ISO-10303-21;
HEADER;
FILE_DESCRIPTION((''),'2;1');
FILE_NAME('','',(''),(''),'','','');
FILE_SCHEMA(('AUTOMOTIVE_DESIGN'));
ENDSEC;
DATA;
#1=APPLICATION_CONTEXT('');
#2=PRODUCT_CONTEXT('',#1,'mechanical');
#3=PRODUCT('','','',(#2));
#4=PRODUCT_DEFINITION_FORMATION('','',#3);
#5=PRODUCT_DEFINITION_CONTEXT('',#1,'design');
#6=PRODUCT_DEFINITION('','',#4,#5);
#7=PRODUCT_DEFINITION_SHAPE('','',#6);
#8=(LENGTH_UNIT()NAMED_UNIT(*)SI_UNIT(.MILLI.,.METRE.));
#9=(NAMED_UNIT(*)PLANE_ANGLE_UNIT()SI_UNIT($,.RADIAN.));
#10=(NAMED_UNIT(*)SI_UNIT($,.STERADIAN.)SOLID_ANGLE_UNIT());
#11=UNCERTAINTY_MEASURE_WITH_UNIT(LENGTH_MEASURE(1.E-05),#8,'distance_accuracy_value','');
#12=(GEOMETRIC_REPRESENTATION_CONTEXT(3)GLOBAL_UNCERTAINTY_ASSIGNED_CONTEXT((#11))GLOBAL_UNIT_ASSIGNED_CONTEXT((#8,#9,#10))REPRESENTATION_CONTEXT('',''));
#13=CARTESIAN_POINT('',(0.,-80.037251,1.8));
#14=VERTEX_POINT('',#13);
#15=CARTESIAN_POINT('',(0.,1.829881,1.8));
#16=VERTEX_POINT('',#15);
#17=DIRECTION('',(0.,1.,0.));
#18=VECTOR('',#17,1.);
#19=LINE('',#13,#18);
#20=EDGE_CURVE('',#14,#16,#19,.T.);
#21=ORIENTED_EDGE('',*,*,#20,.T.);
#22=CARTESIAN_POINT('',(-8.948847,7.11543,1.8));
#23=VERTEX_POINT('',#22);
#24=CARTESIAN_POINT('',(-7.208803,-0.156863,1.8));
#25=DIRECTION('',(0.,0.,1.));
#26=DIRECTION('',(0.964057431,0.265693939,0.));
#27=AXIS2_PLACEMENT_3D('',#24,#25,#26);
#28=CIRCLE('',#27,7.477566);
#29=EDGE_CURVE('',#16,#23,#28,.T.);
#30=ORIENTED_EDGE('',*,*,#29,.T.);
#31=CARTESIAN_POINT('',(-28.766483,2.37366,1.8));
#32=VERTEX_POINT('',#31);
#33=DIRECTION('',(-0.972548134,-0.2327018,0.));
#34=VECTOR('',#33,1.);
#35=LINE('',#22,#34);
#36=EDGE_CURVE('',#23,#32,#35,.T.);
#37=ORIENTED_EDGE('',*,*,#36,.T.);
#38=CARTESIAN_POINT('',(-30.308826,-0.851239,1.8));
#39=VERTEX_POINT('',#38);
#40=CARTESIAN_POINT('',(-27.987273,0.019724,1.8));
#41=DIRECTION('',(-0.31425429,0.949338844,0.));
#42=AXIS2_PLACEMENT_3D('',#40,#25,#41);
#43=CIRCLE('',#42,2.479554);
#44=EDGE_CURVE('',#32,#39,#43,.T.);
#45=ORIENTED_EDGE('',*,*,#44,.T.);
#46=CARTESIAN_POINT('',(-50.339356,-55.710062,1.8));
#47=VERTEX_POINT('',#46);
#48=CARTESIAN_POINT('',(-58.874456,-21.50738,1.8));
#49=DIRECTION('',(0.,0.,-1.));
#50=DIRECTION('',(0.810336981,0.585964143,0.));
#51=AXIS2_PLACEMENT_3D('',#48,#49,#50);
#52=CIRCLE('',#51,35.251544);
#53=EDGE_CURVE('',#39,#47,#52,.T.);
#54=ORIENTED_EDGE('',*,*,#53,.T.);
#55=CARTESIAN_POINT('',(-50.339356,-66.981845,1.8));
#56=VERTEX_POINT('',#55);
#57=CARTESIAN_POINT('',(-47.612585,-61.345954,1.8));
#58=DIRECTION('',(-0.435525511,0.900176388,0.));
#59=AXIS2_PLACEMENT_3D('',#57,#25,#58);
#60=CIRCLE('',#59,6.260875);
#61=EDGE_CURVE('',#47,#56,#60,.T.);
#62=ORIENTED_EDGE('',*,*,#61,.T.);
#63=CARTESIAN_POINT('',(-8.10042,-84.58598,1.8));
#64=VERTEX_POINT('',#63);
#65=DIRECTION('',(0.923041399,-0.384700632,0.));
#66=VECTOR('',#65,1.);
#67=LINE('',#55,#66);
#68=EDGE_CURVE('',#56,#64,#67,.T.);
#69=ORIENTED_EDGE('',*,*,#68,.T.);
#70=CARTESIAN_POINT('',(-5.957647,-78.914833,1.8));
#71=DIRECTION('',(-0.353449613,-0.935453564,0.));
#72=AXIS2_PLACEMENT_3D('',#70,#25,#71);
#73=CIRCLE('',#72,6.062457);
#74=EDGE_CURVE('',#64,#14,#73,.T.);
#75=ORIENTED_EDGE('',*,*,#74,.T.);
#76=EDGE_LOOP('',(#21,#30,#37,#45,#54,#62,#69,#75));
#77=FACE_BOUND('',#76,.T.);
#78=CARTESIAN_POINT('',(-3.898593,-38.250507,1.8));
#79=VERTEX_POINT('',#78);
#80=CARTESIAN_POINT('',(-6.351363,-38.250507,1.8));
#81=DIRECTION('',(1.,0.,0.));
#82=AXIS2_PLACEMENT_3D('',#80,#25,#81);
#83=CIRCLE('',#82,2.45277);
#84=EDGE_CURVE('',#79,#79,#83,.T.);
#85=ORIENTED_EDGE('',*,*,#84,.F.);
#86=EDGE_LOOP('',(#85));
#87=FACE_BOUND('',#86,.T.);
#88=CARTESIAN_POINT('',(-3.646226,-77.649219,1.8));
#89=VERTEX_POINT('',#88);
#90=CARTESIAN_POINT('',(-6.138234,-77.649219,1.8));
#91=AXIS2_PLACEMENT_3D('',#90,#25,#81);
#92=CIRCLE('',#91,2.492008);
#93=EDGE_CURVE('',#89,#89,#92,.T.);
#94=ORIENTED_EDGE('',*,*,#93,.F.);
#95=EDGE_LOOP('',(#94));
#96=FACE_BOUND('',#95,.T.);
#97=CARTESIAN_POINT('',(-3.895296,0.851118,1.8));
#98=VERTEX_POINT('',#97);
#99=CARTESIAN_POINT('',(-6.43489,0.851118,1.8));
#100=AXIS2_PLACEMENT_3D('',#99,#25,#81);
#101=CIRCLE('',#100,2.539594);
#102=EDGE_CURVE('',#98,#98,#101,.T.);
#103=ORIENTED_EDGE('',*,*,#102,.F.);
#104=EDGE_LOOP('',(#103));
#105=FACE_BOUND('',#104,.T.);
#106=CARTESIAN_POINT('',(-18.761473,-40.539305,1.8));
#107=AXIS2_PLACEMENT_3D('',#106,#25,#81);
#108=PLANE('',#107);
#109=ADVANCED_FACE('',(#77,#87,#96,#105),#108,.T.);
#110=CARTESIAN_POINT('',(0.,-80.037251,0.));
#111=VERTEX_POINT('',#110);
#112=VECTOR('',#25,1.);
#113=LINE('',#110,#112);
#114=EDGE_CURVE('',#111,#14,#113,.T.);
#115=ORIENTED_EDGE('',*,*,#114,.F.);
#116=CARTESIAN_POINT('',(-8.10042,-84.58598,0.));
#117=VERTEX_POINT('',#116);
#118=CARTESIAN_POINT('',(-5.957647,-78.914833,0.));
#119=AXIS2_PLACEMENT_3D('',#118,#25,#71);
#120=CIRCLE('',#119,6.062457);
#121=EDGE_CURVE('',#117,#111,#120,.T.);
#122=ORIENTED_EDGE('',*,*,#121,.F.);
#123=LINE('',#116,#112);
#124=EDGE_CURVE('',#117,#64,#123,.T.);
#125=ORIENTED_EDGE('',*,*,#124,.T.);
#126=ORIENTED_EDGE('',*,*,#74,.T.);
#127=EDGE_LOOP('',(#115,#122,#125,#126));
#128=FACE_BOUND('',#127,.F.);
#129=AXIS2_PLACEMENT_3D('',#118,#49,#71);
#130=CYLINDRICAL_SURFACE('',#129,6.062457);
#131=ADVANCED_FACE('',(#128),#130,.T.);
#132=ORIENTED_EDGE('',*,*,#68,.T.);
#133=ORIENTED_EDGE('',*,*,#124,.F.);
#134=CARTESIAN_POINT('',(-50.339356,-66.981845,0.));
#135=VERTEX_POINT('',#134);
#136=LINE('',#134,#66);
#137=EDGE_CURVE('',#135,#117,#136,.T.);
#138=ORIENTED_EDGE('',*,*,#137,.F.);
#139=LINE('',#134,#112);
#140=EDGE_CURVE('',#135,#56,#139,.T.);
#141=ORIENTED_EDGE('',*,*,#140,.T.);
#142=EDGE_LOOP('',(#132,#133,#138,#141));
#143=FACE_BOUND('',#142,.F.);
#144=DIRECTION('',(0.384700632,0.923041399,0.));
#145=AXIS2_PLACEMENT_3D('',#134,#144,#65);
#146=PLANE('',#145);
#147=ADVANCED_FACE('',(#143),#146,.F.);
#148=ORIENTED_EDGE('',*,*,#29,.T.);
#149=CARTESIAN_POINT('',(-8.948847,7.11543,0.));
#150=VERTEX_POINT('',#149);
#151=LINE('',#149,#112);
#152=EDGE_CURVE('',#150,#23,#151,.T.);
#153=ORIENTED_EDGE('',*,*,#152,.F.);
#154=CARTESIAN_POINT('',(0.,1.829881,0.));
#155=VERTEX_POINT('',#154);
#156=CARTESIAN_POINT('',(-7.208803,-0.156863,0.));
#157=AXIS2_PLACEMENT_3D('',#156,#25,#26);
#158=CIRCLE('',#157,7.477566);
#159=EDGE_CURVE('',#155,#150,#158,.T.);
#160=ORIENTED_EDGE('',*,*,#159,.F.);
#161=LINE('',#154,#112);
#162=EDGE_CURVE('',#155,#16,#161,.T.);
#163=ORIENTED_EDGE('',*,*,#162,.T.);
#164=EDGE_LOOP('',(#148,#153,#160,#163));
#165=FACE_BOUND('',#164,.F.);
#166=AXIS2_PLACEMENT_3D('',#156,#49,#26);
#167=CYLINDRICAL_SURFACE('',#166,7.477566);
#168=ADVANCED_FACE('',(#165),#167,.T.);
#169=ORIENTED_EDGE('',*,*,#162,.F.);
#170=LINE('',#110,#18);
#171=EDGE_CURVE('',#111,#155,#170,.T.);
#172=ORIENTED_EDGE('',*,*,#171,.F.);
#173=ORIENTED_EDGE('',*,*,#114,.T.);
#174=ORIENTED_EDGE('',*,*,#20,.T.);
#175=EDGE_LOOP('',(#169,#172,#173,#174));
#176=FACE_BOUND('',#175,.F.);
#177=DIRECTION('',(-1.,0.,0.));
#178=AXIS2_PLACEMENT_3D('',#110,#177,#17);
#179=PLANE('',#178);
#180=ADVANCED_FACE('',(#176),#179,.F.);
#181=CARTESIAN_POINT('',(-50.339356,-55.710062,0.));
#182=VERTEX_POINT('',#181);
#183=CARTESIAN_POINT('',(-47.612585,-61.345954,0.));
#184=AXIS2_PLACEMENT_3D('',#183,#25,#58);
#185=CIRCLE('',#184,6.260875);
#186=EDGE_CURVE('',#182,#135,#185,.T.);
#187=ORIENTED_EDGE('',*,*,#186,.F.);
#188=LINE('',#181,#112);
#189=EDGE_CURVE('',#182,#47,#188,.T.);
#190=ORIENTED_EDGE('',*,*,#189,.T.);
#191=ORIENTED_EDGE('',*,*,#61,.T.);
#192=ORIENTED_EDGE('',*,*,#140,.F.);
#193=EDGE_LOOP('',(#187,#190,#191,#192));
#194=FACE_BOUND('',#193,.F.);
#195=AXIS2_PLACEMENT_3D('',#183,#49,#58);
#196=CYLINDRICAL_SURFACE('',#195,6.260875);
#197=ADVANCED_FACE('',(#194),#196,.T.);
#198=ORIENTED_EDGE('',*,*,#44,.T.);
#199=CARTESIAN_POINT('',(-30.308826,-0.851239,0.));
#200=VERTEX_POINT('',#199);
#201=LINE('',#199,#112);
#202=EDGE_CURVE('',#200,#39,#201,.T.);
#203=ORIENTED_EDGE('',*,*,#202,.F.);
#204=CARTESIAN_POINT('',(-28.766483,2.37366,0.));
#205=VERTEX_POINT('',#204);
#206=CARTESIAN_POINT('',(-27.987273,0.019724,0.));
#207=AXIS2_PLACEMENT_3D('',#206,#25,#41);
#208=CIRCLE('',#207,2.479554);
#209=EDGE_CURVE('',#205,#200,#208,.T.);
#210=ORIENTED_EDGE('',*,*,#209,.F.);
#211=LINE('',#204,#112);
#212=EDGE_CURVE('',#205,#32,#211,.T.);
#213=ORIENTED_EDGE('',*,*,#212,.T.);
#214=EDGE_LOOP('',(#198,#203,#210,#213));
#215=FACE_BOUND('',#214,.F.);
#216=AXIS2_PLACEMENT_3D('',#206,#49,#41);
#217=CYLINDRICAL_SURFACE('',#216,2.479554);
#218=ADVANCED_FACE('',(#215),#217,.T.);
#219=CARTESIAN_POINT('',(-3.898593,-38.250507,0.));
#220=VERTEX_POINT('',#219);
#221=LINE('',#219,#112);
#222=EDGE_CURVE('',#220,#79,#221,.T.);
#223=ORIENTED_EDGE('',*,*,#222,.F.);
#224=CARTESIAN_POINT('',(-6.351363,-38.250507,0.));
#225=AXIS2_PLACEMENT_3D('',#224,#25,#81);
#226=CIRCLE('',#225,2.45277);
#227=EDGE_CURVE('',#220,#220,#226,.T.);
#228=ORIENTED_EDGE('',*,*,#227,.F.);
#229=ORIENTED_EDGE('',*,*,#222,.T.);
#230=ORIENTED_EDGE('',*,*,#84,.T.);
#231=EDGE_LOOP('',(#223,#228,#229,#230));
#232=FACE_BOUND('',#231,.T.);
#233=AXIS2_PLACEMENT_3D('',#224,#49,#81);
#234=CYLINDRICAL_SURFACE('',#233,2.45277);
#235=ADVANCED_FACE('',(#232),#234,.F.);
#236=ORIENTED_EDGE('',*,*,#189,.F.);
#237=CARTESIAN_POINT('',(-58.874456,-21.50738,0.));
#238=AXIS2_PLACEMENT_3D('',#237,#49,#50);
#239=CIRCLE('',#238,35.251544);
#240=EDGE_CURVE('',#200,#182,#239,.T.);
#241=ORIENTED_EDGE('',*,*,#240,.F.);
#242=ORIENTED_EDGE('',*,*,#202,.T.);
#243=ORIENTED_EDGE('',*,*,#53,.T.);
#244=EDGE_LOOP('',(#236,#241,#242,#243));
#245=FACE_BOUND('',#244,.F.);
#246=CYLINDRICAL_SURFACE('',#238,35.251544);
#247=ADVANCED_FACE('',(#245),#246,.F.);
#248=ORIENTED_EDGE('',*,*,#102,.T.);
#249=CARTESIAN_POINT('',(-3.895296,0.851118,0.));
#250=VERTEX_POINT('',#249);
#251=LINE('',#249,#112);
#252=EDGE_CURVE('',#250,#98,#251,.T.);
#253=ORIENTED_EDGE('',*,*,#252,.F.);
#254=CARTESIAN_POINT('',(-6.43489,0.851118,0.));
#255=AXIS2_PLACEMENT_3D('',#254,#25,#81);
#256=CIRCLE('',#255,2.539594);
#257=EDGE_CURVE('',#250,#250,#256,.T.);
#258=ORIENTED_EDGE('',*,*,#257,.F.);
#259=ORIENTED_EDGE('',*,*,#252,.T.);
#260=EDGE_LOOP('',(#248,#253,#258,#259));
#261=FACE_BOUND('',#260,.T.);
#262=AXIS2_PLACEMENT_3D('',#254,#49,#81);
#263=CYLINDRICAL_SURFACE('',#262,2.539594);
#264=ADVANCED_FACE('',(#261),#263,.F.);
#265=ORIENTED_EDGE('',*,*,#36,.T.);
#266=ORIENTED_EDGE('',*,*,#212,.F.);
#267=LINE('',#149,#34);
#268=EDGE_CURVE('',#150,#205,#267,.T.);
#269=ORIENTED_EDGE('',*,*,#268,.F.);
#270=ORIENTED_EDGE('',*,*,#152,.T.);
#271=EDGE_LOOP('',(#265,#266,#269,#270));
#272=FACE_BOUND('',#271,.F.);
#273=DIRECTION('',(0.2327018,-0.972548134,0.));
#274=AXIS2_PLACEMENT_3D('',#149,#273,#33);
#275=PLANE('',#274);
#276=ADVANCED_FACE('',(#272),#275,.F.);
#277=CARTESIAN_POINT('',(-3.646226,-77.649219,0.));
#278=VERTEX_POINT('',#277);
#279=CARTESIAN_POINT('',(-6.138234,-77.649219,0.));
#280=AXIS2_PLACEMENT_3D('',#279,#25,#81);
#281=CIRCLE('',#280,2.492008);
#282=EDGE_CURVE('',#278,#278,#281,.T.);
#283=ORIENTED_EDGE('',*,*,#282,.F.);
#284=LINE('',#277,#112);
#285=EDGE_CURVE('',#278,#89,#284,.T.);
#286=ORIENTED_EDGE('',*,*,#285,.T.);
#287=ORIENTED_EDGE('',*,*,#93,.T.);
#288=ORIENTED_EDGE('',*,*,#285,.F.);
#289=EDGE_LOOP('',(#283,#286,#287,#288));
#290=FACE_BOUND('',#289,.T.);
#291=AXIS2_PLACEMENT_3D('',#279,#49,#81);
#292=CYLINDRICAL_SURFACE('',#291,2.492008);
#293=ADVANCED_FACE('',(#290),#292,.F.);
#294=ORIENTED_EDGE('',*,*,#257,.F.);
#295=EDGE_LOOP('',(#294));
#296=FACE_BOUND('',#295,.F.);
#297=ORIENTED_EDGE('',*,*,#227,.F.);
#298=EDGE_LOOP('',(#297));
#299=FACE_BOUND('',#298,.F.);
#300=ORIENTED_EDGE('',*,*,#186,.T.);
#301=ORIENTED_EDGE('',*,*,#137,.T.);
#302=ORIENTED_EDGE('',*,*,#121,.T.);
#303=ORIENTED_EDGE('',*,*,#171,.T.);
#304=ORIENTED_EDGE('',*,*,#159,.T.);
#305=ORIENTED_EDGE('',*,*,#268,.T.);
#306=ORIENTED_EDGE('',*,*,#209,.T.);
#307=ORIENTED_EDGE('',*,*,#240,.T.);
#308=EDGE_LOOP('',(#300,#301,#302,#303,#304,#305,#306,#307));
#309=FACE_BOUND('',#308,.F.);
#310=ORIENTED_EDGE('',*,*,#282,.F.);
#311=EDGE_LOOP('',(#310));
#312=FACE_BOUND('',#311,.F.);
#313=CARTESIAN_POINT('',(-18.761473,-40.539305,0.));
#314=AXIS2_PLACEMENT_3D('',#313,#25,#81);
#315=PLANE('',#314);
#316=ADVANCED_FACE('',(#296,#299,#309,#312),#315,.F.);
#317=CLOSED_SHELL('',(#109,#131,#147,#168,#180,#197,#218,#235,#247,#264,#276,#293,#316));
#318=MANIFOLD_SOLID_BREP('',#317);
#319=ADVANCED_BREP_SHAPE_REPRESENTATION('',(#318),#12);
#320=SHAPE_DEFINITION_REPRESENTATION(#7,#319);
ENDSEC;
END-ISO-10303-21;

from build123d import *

# Parameters (mm, degrees)
F0_R     = 2.492008
F0_R_2   = 2.45277
F0_R_3   = 2.539594
F1_DEPTH = 1.8


with BuildPart() as f1:
    # F0 (on Top) → F1 (new body)
    with BuildSketch(Plane.XY):
        with BuildLine():
            Line((-50.339356, -66.981845), (-8.10042, -84.58598))
            ThreePointArc((-8.10042, -84.58598), (-2.989306, -84.200884), (0, -80.037251))
            Line((0, -80.037251), (0, 1.829881))
            ThreePointArc((0, 1.829881), (-3.406029, 6.28153), (-8.948847, 7.11543))
            Line((-8.948847, 7.11543), (-28.766483, 2.37366))
            ThreePointArc((-28.766483, 2.37366), (-30.224163, 1.08954), (-30.308826, -0.851239))
            ThreePointArc((-30.308826, -0.851239), (-25.761186, -33.597985), (-50.339356, -55.710062))
            ThreePointArc((-50.339356, -55.710062), (-53.87346, -61.345953), (-50.339356, -66.981845))
        make_face()
        with Locations((-6.138234, -77.649219)):
            Circle(F0_R, mode=Mode.SUBTRACT)
        with Locations((-6.351363, -38.250507)):
            Circle(F0_R_2, mode=Mode.SUBTRACT)
        with Locations((-6.43489, 0.851118)):
            Circle(F0_R_3, mode=Mode.SUBTRACT)
    extrude(amount=F1_DEPTH)


solid = f1.part
